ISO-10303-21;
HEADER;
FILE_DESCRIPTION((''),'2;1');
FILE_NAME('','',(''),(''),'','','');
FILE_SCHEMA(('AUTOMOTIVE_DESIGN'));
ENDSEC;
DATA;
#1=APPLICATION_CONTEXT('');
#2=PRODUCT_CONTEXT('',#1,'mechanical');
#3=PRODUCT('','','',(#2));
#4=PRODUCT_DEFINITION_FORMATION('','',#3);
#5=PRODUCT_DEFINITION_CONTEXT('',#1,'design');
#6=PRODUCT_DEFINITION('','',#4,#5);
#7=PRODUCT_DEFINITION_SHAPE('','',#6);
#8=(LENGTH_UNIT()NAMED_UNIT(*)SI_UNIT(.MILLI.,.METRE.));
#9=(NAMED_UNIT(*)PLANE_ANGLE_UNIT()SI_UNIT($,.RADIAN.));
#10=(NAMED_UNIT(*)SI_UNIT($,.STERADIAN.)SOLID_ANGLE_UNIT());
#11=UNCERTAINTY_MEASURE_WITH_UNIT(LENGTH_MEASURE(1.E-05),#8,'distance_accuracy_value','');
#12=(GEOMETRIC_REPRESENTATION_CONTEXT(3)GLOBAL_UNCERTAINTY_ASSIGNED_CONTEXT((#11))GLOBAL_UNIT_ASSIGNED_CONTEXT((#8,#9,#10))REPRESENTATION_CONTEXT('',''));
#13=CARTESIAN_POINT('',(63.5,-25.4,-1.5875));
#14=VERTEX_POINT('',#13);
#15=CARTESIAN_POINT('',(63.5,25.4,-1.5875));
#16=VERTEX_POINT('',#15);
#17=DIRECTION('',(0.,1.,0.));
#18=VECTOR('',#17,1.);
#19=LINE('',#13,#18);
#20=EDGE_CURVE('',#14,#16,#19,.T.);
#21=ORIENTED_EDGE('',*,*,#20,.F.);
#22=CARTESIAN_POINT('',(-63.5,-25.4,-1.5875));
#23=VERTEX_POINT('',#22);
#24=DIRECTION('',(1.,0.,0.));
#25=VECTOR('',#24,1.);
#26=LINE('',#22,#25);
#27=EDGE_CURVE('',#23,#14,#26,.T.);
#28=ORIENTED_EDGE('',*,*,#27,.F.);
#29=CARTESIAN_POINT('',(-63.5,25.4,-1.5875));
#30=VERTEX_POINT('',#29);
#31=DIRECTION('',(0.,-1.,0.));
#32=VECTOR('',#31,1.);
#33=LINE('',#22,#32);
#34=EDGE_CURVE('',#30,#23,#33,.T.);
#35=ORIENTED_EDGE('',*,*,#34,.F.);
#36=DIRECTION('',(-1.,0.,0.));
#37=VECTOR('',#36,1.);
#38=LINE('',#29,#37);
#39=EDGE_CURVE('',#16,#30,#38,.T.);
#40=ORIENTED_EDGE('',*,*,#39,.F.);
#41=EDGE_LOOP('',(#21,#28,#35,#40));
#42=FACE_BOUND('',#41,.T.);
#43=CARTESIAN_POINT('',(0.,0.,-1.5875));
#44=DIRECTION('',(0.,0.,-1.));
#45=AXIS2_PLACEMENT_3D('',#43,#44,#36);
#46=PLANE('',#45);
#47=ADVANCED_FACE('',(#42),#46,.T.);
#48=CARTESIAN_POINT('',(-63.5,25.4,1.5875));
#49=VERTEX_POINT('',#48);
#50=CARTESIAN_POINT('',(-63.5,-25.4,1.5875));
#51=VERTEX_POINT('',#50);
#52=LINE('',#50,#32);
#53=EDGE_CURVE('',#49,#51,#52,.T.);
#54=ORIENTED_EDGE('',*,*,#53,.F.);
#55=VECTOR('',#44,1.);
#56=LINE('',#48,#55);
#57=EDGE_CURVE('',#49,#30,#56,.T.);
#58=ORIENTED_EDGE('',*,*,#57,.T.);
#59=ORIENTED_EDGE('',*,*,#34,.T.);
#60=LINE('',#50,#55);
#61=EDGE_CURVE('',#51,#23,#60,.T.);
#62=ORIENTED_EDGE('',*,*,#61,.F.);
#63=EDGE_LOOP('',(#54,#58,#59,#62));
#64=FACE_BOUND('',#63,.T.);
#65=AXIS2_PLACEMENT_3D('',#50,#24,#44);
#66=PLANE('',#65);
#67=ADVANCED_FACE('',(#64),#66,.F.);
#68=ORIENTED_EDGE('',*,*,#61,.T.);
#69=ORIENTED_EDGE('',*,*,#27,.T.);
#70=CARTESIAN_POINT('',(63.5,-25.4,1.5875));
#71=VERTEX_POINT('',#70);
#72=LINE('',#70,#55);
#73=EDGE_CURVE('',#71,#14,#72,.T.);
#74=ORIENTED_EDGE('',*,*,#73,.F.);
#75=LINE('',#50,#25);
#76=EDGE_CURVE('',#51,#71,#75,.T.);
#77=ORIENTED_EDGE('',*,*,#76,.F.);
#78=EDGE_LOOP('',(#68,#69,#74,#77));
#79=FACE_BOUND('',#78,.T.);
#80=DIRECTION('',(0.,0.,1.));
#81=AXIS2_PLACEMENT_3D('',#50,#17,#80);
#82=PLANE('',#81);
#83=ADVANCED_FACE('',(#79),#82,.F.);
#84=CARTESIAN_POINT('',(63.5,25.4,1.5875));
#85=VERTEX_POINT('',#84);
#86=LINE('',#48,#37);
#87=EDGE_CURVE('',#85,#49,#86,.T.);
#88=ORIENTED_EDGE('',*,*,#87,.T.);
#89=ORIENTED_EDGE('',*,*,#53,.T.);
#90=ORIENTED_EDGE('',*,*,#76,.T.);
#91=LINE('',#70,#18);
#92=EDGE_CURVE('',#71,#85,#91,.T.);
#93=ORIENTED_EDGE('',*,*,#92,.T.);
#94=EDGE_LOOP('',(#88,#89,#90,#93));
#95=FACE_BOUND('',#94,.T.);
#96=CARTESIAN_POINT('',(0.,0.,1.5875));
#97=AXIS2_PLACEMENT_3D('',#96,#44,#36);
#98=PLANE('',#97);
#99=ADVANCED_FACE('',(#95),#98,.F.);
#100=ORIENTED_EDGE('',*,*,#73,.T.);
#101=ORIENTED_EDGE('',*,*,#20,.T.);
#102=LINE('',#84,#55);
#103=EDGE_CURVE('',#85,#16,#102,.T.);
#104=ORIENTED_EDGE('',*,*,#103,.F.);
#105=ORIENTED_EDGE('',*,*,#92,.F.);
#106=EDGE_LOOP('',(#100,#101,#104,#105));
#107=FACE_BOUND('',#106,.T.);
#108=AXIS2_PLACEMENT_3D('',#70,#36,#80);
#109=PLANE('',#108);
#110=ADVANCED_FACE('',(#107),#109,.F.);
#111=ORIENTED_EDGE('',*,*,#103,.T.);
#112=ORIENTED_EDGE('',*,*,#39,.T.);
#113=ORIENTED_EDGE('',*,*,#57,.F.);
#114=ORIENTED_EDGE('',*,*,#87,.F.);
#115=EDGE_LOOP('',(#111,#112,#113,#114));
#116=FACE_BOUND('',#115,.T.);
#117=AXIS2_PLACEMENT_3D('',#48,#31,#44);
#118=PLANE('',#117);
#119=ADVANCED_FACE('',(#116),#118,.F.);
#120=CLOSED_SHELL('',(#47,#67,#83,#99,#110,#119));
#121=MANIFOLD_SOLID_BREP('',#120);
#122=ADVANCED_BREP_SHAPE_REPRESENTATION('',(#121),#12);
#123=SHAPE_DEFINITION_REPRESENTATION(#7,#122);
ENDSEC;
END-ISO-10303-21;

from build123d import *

# Parameters (mm, degrees)
SKETCH2_W           = 127
SKETCH2_H           = 50.8
BOSS_EXTRUDE1_DEPTH = 1.5875


with BuildPart() as part:
    # Sketch2 → Boss-Extrude1 (new body, symmetric)
    with BuildSketch(Plane.XY):
        Rectangle(SKETCH2_W, SKETCH2_H)
    extrude(amount=BOSS_EXTRUDE1_DEPTH, both=True)


solid = part.part
